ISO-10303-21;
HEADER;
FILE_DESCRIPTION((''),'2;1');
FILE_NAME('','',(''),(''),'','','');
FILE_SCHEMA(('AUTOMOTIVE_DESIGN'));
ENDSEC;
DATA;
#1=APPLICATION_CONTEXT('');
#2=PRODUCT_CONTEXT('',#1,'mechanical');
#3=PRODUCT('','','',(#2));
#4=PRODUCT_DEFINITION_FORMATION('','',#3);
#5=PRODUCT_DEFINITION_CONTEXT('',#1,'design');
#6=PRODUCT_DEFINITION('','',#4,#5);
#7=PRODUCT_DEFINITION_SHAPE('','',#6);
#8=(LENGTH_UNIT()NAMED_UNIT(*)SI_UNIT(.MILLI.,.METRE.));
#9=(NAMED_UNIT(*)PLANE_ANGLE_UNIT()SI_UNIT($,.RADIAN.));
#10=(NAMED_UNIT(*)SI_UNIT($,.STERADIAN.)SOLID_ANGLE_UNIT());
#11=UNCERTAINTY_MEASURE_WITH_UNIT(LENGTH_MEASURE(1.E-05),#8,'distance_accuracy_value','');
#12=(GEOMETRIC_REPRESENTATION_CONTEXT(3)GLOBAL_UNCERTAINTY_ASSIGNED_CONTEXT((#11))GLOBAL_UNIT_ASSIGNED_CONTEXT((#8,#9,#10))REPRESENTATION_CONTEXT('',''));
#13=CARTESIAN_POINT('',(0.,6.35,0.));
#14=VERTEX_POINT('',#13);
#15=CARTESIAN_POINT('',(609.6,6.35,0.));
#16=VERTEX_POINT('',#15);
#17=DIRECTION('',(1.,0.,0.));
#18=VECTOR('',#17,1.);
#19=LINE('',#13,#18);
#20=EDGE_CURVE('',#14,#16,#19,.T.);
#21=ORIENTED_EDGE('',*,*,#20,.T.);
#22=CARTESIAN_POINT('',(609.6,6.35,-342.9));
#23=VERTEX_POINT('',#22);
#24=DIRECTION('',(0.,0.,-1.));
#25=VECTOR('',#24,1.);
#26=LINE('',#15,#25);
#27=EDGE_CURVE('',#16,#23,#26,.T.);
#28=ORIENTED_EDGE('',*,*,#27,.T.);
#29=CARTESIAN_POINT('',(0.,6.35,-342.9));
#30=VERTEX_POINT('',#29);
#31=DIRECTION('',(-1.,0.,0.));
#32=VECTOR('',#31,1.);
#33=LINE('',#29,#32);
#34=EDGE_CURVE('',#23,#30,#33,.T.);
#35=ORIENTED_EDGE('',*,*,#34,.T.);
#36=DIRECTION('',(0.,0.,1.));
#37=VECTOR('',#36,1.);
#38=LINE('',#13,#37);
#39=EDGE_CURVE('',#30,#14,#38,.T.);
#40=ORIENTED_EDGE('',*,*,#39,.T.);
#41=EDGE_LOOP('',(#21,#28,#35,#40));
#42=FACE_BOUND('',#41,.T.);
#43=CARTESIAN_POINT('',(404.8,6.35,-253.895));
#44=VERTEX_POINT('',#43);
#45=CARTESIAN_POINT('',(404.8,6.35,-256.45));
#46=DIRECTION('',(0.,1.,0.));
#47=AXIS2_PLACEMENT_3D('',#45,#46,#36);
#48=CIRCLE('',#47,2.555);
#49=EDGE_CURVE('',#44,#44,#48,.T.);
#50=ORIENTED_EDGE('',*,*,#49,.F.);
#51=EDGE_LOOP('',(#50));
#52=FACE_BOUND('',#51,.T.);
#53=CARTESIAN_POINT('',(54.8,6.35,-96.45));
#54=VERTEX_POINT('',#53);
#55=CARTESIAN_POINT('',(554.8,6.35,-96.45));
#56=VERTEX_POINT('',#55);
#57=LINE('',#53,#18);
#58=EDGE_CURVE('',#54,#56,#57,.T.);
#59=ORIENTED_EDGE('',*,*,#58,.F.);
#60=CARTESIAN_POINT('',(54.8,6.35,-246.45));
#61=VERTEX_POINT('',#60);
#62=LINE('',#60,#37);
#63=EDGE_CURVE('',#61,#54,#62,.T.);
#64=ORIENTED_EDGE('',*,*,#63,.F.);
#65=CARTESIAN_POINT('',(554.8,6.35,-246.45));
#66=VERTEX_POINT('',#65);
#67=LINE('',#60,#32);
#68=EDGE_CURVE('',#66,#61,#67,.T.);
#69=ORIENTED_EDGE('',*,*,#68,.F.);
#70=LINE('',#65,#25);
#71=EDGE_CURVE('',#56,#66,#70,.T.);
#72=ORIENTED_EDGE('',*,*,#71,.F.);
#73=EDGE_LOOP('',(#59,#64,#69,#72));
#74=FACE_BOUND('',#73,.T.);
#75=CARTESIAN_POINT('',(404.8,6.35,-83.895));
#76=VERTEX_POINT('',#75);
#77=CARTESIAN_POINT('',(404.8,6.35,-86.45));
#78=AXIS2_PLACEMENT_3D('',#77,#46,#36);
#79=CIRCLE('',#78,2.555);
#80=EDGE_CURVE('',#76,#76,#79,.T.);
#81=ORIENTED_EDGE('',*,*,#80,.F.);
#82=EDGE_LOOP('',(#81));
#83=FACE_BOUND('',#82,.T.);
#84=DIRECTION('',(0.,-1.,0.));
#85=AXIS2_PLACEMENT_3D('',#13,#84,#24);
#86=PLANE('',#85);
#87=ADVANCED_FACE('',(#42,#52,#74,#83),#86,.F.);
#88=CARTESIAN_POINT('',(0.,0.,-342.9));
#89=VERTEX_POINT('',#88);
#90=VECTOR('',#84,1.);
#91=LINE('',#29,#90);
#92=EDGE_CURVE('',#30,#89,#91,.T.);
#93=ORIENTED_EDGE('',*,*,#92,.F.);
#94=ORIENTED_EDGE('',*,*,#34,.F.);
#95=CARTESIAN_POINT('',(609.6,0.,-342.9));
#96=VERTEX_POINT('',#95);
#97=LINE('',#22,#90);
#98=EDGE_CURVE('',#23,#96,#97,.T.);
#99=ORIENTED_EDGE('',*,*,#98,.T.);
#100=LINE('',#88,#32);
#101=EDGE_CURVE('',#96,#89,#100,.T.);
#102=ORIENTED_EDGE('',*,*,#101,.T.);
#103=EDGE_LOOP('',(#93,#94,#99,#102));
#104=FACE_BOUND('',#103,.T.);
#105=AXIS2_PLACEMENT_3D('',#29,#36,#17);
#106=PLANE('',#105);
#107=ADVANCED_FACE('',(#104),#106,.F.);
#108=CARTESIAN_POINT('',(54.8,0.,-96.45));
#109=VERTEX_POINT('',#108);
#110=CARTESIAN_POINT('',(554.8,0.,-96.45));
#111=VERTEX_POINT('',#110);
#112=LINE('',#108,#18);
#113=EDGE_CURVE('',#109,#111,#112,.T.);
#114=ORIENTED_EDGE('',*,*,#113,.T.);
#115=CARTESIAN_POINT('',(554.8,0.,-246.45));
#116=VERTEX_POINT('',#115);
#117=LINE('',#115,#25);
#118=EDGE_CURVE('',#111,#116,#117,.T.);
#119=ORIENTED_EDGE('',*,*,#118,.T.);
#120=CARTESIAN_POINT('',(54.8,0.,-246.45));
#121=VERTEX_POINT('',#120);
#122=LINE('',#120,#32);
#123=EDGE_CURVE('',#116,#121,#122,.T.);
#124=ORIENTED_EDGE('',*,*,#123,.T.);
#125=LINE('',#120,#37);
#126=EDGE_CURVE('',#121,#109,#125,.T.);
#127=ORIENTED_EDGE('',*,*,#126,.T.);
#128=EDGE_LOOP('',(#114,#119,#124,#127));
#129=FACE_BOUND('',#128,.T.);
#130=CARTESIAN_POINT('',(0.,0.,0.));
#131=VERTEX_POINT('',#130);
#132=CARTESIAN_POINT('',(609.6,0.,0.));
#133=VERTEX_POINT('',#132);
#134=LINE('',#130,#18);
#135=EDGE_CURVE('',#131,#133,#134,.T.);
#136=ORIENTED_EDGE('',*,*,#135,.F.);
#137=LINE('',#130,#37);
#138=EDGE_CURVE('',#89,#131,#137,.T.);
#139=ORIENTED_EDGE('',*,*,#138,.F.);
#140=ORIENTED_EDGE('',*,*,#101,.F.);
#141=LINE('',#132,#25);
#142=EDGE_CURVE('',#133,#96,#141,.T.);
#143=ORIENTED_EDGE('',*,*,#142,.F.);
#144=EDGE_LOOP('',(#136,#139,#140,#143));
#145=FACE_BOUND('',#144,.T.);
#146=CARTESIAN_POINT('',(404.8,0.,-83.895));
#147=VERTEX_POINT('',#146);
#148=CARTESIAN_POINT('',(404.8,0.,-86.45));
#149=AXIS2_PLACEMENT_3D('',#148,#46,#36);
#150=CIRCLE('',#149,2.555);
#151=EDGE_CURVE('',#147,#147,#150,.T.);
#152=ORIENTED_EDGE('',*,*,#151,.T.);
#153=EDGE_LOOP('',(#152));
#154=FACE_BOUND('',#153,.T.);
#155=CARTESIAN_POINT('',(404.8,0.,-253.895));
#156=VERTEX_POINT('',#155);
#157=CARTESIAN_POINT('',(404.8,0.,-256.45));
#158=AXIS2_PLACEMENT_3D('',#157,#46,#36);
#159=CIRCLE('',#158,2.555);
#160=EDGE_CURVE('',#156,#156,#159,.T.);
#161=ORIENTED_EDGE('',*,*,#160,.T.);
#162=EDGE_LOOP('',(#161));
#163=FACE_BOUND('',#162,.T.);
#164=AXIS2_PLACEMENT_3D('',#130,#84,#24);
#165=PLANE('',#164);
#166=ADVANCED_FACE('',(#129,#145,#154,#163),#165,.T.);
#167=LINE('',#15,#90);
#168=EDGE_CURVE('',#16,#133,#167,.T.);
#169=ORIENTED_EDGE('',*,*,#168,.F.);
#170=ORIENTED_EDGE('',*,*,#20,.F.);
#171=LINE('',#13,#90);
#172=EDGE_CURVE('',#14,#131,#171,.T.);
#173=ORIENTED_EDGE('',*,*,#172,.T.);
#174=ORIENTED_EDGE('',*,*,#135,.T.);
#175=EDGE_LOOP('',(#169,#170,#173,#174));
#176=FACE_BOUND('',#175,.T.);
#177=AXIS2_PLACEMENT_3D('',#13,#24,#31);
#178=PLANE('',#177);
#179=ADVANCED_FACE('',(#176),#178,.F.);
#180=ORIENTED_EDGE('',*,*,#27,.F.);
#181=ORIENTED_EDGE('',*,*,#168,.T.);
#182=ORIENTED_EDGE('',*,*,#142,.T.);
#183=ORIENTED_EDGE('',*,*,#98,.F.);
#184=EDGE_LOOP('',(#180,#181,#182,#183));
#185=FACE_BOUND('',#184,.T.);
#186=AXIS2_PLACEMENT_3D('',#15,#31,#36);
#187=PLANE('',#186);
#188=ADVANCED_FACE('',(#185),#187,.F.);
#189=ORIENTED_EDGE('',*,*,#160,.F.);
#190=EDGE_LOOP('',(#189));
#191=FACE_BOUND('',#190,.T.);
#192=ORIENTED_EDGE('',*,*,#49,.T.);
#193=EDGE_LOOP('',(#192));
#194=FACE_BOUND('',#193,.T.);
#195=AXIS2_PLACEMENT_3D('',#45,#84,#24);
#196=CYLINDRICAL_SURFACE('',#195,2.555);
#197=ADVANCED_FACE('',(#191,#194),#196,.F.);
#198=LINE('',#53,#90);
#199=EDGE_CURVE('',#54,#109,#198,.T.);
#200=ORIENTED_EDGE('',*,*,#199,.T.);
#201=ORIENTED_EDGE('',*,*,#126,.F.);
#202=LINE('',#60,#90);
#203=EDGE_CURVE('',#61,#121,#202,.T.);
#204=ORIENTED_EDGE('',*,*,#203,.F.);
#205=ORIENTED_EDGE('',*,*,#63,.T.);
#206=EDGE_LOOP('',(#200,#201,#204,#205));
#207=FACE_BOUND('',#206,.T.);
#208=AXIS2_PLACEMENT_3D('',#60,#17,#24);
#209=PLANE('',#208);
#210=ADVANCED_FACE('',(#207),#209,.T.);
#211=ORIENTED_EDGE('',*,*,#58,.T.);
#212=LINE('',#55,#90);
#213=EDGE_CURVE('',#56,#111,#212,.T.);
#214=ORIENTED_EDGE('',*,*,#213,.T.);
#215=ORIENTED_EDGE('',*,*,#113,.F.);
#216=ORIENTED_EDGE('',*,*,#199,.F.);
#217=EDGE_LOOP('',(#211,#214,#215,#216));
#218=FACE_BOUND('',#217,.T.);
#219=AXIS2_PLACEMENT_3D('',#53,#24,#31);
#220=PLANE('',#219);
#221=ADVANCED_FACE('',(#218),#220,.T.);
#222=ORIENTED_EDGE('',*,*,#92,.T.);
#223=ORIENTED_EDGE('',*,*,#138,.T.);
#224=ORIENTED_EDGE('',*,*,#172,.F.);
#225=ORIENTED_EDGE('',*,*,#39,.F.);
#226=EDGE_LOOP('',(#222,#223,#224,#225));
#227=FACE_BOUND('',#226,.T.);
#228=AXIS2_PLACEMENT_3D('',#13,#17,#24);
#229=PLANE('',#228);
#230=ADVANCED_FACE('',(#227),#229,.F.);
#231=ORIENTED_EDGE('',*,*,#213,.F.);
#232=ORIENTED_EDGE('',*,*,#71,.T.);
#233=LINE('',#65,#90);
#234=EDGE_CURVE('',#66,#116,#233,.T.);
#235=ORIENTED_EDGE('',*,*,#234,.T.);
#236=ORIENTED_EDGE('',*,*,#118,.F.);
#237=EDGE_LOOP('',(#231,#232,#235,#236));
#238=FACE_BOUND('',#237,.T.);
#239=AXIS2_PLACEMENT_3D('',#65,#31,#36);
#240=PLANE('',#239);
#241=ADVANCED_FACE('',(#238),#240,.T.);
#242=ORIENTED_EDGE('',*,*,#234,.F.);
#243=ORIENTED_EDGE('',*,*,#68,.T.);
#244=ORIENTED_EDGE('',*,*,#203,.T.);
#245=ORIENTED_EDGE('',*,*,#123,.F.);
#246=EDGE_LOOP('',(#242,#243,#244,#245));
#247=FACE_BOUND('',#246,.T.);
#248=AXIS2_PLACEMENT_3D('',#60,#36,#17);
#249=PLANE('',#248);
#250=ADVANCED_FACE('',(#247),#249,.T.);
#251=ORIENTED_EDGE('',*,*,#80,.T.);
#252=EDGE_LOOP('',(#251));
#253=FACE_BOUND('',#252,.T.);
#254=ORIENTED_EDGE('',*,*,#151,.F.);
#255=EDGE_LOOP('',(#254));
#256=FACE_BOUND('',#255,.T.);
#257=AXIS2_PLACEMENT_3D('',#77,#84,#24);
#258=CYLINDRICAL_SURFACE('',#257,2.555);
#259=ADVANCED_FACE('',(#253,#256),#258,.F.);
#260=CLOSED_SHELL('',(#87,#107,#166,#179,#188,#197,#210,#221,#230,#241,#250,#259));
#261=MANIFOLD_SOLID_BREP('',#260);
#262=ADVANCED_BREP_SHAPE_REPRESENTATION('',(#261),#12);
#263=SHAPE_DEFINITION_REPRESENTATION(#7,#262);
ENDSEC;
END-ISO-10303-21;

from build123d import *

# Parameters (mm, degrees)
SKETCH1_W           = 609.6
SKETCH1_H           = 342.9
SKETCH1_R           = 2.555
SKETCH1_W_2         = 500
SKETCH1_H_2         = 150
BOSS_EXTRUDE1_DEPTH = 6.35


with BuildPart() as part:
    # Sketch1 → Boss-Extrude1 (new body)
    with BuildSketch(Plane(origin=(0, 0, 0), x_dir=(1, 0, 0), z_dir=(0, 1, 0))):
        with Locations((304.8, 171.45)):
            Rectangle(SKETCH1_W, SKETCH1_H)
        with Locations((404.8, 256.45)):
            Circle(SKETCH1_R, mode=Mode.SUBTRACT)
        with Locations((404.8, 86.45)):
            Circle(SKETCH1_R, mode=Mode.SUBTRACT)
        with Locations((304.8, 171.45)):
            Rectangle(SKETCH1_W_2, SKETCH1_H_2, mode=Mode.SUBTRACT)
    extrude(amount=BOSS_EXTRUDE1_DEPTH)


solid = part.part
